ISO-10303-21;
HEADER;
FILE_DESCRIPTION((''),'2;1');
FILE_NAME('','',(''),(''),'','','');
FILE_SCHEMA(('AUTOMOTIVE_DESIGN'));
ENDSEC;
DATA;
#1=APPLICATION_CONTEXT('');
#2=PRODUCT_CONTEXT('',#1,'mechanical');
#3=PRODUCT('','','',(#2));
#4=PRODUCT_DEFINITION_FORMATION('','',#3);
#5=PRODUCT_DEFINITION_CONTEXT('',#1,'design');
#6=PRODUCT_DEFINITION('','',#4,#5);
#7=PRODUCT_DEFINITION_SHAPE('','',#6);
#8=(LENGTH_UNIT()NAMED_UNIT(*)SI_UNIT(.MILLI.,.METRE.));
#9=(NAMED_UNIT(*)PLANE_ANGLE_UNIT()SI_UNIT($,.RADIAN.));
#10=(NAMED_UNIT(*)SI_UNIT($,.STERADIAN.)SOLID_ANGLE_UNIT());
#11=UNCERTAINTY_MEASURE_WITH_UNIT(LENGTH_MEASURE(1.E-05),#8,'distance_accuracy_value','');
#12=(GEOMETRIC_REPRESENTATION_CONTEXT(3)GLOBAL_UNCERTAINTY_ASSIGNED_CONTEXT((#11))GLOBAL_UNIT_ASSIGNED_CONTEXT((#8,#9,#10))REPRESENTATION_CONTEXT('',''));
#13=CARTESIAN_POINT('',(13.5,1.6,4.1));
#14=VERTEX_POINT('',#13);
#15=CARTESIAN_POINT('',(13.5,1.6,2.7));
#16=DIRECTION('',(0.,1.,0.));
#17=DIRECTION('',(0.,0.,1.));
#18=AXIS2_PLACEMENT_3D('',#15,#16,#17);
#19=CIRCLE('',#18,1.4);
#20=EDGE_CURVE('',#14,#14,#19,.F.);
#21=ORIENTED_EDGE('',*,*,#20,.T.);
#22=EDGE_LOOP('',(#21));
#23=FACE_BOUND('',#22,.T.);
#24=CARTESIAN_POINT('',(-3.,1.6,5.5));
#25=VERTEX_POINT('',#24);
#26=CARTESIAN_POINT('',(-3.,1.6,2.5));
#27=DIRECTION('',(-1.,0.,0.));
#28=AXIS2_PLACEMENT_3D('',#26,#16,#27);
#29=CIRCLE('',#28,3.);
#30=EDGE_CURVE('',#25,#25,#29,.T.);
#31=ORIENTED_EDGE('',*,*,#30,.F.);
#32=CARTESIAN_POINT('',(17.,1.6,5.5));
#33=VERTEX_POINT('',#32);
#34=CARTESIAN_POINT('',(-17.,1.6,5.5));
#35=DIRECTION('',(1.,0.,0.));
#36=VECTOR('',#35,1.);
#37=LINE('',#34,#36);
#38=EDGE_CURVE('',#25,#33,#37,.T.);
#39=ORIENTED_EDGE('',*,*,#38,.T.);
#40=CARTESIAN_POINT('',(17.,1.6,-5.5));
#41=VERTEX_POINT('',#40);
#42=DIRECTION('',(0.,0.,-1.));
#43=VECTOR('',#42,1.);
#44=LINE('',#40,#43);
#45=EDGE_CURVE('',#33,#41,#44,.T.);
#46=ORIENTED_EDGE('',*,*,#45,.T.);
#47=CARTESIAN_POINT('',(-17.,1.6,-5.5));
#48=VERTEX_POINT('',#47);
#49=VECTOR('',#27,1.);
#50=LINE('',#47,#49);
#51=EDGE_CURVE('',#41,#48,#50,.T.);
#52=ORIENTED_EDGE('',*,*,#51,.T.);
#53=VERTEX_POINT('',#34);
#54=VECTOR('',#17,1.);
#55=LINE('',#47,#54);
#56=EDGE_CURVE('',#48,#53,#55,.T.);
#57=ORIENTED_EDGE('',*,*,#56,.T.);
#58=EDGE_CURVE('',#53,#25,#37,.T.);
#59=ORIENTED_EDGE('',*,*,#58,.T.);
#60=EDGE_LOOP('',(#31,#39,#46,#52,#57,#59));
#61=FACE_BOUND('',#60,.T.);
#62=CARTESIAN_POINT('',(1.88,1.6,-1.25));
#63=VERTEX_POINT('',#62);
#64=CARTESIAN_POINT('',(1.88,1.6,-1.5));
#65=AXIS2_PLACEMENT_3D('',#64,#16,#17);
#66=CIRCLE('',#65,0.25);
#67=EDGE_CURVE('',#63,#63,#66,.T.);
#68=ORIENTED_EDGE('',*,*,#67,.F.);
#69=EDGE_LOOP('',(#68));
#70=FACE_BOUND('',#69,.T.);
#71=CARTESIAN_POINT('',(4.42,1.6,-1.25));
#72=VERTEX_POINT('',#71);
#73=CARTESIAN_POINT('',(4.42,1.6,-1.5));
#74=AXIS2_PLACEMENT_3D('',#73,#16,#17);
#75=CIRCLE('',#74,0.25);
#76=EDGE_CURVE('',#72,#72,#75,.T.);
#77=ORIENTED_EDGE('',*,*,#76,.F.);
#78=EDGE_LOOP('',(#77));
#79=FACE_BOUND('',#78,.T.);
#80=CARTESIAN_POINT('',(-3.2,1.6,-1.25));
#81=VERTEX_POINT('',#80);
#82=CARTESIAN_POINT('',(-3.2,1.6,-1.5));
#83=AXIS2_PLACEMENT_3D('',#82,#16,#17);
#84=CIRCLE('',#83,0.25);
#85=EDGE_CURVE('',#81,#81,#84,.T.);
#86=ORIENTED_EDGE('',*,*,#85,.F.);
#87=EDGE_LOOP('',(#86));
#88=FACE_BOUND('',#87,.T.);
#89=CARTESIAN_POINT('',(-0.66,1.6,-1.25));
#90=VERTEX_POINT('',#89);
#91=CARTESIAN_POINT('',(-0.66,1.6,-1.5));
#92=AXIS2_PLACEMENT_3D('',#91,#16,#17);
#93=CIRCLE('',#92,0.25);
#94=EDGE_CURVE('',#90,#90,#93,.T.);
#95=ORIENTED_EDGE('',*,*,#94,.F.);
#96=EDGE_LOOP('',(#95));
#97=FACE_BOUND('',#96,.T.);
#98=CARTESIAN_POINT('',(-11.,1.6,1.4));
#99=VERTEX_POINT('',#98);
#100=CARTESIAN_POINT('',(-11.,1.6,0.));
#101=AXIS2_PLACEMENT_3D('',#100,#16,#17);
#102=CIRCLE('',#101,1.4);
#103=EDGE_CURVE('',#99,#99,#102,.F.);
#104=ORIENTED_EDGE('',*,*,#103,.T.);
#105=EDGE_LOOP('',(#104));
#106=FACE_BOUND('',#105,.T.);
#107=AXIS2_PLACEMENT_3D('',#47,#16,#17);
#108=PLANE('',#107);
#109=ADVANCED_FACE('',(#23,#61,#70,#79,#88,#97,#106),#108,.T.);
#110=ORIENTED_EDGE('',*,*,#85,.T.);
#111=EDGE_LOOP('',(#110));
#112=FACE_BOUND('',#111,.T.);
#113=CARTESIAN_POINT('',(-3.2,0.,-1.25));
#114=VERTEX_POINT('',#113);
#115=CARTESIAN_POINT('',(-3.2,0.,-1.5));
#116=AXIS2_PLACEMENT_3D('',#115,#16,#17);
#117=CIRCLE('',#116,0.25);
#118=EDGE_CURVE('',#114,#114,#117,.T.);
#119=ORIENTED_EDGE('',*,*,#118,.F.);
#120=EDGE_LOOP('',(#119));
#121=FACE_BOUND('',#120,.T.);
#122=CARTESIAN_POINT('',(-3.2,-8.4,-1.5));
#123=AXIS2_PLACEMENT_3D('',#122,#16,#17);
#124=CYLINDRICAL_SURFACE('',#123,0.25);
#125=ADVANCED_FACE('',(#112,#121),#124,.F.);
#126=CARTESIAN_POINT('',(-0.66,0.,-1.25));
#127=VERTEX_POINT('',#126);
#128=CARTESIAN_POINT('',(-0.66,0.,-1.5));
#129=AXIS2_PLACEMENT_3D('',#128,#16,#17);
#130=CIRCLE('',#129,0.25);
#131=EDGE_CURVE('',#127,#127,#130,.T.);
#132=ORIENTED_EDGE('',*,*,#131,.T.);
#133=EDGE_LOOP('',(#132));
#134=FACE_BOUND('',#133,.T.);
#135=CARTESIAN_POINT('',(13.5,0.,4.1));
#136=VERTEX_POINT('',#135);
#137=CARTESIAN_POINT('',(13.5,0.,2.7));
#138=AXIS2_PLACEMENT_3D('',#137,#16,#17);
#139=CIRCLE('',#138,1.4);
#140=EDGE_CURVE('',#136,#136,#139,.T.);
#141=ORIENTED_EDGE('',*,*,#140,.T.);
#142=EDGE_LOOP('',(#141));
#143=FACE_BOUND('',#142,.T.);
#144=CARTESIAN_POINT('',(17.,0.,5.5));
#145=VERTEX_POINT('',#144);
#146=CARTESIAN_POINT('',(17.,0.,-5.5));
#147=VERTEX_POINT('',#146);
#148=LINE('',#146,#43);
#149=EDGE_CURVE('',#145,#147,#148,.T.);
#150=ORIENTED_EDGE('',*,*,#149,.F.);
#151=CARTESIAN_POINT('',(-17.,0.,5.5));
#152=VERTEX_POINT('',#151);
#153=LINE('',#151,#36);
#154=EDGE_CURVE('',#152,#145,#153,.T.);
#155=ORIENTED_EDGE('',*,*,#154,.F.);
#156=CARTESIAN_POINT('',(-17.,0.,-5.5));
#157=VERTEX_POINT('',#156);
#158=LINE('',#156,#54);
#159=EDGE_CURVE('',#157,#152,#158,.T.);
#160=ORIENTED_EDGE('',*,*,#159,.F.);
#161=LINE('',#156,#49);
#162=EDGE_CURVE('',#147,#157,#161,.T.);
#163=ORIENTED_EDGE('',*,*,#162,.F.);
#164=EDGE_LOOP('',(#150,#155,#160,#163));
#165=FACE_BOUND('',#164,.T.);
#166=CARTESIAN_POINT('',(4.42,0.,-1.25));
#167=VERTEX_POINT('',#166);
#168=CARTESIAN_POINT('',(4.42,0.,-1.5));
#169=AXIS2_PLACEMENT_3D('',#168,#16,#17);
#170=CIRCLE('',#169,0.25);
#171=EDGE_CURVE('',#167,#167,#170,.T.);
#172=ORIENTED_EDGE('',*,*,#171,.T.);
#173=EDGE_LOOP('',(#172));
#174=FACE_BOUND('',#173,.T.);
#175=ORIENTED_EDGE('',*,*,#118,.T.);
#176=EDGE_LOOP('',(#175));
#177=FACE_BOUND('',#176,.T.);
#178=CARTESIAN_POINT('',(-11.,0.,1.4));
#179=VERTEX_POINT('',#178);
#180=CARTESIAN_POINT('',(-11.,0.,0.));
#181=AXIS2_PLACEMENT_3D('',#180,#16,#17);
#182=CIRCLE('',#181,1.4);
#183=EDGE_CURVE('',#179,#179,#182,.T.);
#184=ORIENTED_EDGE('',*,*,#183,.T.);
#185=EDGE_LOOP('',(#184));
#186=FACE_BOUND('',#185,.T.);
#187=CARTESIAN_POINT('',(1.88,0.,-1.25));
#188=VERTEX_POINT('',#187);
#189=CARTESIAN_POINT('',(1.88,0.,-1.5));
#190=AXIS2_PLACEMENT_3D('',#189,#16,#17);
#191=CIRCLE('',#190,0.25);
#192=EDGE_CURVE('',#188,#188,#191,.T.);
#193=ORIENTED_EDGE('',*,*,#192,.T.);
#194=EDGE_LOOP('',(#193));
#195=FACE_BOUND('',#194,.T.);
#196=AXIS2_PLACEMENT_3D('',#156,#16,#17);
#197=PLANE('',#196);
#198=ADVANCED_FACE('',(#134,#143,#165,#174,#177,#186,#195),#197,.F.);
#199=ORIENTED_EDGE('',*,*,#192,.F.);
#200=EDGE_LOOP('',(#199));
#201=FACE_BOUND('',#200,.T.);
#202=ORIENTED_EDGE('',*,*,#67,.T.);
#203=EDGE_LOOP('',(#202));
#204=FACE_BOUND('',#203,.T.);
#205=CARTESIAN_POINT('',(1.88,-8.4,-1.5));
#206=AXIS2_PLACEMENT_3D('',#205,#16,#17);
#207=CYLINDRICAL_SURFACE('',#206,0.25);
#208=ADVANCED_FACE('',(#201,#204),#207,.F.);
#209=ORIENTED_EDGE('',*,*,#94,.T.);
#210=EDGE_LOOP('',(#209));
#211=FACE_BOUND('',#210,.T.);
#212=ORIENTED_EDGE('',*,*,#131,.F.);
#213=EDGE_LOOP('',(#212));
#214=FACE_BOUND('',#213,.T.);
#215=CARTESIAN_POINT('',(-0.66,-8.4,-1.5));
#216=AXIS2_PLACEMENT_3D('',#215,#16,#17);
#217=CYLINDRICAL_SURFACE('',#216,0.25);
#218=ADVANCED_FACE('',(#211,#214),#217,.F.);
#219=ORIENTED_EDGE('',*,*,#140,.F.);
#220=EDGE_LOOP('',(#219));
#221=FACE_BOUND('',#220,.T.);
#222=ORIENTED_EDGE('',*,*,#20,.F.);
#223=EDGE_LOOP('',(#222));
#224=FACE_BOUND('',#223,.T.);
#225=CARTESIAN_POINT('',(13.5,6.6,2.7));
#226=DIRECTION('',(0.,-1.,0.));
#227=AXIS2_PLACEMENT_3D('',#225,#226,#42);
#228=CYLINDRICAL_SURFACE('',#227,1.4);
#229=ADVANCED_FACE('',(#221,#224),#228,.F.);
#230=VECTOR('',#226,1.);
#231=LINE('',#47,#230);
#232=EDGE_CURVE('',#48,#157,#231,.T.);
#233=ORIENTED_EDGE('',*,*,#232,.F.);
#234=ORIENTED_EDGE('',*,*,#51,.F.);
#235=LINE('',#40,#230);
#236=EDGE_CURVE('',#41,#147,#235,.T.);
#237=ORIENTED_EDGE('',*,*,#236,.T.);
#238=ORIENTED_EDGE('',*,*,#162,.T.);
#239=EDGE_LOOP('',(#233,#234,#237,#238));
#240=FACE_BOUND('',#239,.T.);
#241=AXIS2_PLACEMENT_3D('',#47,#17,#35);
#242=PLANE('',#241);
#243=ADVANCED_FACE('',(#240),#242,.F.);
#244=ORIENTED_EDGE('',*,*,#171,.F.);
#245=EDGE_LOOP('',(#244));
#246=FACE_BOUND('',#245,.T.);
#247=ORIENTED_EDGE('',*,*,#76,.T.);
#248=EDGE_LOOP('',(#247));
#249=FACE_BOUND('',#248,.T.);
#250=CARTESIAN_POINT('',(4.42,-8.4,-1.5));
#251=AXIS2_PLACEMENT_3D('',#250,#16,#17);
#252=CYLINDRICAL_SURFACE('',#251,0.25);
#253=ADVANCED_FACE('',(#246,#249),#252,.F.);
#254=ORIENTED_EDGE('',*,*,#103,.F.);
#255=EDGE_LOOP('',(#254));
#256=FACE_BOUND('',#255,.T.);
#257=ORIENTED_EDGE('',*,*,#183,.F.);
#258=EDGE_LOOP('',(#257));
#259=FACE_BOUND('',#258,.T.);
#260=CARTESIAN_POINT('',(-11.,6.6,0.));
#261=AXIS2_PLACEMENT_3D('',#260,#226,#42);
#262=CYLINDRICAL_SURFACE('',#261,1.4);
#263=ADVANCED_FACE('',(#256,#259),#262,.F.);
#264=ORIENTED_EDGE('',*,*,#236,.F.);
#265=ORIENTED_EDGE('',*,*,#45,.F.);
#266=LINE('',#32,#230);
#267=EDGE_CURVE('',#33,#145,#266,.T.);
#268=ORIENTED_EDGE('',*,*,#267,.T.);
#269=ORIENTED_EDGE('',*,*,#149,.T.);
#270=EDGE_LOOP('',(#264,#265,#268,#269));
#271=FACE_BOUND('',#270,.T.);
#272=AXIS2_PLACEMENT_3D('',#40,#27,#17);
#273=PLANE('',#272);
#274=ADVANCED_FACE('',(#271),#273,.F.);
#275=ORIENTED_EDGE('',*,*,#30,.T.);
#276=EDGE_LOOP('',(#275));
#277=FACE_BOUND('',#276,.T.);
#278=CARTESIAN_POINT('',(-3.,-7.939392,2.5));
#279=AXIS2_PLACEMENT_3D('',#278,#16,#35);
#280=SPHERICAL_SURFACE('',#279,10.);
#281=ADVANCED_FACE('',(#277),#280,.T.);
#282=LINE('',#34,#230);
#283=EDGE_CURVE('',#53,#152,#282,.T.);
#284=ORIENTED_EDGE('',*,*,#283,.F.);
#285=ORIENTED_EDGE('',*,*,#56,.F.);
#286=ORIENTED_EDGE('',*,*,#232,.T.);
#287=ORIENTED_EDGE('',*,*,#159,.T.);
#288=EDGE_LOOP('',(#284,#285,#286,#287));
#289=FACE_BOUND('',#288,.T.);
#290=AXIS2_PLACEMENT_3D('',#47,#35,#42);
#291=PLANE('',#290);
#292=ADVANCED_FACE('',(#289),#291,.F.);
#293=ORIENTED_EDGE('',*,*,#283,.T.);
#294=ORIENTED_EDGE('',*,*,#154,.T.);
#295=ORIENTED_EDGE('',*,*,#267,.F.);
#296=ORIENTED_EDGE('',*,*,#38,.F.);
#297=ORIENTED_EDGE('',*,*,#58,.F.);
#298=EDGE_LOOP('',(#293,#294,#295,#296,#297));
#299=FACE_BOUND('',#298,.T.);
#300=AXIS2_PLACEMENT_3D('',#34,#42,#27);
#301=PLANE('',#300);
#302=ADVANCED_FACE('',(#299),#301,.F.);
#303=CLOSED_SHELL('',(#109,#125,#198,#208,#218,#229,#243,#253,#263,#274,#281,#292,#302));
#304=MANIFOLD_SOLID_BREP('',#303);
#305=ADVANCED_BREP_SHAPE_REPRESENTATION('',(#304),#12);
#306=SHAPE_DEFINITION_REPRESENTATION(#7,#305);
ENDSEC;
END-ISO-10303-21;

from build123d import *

# Parameters (mm, degrees)
SKETCH_1_W          = 34
SKETCH_1_H          = 11
EXTRUDE_1_DEPTH     = 1.6
SKETCH_2_R          = 1.4
CUT_EXTRUDE_2_DEPTH = 6.6
SKETCH_4_R          = 0.25
CUT_EXTRUDE_3_DEPTH = 10


with BuildPart() as part:
    # 草图1 → 拉伸1 (new body)
    with BuildSketch(Plane(origin=(0, 0, 0), x_dir=(1, 0, 0), z_dir=(0, 1, 0))):
        Rectangle(SKETCH_1_W, SKETCH_1_H)
    extrude(amount=EXTRUDE_1_DEPTH)

    # 草图2 → 切除-拉伸2 (cut)
    with BuildSketch(Plane(origin=(0, 0, 0), x_dir=(1, 0, 0), z_dir=(0, 1, 0))):
        with Locations(Location((-11, 0, 0), (0, 0, 270))):
            Circle(SKETCH_2_R)
        with Locations(Location((13.5, -2.7, 0), (0, 0, 270))):
            Circle(SKETCH_2_R)
    extrude(amount=CUT_EXTRUDE_2_DEPTH, mode=Mode.SUBTRACT)

    # 草图3 → 旋转1 (revolve)
    with BuildSketch(Plane.XY.offset(2.5)):
        with BuildLine():
            Line((0, 1.6), (-3, 1.6))
            Line((-3, 1.6), (-3, 2.060607986))
            ThreePointArc((-3, 2.060607986), (-1.482423007, 1.944785244), (0, 1.6))
        make_face()
    revolve(axis=Axis((-3, 10.072937712, 2.5), (0, -1, 0)))

    # 草图4 → 切除-拉伸3 (cut)
    with BuildSketch(Plane(origin=(0, 1.6, 0), x_dir=(-1, 0, 0), z_dir=(0, 1, 0))):
        with Locations(Location((3.2, -1.5, 0), (0, 0, 90))):
            Circle(SKETCH_4_R)
        with Locations(Location((0.66, -1.5, 0), (0, 0, 90))):
            Circle(SKETCH_4_R)
        with Locations(Location((-1.88, -1.5, 0), (0, 0, 90))):
            Circle(SKETCH_4_R)
        with Locations(Location((-4.42, -1.5, 0), (0, 0, 90))):
            Circle(SKETCH_4_R)
    extrude(amount=-CUT_EXTRUDE_3_DEPTH, mode=Mode.SUBTRACT)


solid = part.part
